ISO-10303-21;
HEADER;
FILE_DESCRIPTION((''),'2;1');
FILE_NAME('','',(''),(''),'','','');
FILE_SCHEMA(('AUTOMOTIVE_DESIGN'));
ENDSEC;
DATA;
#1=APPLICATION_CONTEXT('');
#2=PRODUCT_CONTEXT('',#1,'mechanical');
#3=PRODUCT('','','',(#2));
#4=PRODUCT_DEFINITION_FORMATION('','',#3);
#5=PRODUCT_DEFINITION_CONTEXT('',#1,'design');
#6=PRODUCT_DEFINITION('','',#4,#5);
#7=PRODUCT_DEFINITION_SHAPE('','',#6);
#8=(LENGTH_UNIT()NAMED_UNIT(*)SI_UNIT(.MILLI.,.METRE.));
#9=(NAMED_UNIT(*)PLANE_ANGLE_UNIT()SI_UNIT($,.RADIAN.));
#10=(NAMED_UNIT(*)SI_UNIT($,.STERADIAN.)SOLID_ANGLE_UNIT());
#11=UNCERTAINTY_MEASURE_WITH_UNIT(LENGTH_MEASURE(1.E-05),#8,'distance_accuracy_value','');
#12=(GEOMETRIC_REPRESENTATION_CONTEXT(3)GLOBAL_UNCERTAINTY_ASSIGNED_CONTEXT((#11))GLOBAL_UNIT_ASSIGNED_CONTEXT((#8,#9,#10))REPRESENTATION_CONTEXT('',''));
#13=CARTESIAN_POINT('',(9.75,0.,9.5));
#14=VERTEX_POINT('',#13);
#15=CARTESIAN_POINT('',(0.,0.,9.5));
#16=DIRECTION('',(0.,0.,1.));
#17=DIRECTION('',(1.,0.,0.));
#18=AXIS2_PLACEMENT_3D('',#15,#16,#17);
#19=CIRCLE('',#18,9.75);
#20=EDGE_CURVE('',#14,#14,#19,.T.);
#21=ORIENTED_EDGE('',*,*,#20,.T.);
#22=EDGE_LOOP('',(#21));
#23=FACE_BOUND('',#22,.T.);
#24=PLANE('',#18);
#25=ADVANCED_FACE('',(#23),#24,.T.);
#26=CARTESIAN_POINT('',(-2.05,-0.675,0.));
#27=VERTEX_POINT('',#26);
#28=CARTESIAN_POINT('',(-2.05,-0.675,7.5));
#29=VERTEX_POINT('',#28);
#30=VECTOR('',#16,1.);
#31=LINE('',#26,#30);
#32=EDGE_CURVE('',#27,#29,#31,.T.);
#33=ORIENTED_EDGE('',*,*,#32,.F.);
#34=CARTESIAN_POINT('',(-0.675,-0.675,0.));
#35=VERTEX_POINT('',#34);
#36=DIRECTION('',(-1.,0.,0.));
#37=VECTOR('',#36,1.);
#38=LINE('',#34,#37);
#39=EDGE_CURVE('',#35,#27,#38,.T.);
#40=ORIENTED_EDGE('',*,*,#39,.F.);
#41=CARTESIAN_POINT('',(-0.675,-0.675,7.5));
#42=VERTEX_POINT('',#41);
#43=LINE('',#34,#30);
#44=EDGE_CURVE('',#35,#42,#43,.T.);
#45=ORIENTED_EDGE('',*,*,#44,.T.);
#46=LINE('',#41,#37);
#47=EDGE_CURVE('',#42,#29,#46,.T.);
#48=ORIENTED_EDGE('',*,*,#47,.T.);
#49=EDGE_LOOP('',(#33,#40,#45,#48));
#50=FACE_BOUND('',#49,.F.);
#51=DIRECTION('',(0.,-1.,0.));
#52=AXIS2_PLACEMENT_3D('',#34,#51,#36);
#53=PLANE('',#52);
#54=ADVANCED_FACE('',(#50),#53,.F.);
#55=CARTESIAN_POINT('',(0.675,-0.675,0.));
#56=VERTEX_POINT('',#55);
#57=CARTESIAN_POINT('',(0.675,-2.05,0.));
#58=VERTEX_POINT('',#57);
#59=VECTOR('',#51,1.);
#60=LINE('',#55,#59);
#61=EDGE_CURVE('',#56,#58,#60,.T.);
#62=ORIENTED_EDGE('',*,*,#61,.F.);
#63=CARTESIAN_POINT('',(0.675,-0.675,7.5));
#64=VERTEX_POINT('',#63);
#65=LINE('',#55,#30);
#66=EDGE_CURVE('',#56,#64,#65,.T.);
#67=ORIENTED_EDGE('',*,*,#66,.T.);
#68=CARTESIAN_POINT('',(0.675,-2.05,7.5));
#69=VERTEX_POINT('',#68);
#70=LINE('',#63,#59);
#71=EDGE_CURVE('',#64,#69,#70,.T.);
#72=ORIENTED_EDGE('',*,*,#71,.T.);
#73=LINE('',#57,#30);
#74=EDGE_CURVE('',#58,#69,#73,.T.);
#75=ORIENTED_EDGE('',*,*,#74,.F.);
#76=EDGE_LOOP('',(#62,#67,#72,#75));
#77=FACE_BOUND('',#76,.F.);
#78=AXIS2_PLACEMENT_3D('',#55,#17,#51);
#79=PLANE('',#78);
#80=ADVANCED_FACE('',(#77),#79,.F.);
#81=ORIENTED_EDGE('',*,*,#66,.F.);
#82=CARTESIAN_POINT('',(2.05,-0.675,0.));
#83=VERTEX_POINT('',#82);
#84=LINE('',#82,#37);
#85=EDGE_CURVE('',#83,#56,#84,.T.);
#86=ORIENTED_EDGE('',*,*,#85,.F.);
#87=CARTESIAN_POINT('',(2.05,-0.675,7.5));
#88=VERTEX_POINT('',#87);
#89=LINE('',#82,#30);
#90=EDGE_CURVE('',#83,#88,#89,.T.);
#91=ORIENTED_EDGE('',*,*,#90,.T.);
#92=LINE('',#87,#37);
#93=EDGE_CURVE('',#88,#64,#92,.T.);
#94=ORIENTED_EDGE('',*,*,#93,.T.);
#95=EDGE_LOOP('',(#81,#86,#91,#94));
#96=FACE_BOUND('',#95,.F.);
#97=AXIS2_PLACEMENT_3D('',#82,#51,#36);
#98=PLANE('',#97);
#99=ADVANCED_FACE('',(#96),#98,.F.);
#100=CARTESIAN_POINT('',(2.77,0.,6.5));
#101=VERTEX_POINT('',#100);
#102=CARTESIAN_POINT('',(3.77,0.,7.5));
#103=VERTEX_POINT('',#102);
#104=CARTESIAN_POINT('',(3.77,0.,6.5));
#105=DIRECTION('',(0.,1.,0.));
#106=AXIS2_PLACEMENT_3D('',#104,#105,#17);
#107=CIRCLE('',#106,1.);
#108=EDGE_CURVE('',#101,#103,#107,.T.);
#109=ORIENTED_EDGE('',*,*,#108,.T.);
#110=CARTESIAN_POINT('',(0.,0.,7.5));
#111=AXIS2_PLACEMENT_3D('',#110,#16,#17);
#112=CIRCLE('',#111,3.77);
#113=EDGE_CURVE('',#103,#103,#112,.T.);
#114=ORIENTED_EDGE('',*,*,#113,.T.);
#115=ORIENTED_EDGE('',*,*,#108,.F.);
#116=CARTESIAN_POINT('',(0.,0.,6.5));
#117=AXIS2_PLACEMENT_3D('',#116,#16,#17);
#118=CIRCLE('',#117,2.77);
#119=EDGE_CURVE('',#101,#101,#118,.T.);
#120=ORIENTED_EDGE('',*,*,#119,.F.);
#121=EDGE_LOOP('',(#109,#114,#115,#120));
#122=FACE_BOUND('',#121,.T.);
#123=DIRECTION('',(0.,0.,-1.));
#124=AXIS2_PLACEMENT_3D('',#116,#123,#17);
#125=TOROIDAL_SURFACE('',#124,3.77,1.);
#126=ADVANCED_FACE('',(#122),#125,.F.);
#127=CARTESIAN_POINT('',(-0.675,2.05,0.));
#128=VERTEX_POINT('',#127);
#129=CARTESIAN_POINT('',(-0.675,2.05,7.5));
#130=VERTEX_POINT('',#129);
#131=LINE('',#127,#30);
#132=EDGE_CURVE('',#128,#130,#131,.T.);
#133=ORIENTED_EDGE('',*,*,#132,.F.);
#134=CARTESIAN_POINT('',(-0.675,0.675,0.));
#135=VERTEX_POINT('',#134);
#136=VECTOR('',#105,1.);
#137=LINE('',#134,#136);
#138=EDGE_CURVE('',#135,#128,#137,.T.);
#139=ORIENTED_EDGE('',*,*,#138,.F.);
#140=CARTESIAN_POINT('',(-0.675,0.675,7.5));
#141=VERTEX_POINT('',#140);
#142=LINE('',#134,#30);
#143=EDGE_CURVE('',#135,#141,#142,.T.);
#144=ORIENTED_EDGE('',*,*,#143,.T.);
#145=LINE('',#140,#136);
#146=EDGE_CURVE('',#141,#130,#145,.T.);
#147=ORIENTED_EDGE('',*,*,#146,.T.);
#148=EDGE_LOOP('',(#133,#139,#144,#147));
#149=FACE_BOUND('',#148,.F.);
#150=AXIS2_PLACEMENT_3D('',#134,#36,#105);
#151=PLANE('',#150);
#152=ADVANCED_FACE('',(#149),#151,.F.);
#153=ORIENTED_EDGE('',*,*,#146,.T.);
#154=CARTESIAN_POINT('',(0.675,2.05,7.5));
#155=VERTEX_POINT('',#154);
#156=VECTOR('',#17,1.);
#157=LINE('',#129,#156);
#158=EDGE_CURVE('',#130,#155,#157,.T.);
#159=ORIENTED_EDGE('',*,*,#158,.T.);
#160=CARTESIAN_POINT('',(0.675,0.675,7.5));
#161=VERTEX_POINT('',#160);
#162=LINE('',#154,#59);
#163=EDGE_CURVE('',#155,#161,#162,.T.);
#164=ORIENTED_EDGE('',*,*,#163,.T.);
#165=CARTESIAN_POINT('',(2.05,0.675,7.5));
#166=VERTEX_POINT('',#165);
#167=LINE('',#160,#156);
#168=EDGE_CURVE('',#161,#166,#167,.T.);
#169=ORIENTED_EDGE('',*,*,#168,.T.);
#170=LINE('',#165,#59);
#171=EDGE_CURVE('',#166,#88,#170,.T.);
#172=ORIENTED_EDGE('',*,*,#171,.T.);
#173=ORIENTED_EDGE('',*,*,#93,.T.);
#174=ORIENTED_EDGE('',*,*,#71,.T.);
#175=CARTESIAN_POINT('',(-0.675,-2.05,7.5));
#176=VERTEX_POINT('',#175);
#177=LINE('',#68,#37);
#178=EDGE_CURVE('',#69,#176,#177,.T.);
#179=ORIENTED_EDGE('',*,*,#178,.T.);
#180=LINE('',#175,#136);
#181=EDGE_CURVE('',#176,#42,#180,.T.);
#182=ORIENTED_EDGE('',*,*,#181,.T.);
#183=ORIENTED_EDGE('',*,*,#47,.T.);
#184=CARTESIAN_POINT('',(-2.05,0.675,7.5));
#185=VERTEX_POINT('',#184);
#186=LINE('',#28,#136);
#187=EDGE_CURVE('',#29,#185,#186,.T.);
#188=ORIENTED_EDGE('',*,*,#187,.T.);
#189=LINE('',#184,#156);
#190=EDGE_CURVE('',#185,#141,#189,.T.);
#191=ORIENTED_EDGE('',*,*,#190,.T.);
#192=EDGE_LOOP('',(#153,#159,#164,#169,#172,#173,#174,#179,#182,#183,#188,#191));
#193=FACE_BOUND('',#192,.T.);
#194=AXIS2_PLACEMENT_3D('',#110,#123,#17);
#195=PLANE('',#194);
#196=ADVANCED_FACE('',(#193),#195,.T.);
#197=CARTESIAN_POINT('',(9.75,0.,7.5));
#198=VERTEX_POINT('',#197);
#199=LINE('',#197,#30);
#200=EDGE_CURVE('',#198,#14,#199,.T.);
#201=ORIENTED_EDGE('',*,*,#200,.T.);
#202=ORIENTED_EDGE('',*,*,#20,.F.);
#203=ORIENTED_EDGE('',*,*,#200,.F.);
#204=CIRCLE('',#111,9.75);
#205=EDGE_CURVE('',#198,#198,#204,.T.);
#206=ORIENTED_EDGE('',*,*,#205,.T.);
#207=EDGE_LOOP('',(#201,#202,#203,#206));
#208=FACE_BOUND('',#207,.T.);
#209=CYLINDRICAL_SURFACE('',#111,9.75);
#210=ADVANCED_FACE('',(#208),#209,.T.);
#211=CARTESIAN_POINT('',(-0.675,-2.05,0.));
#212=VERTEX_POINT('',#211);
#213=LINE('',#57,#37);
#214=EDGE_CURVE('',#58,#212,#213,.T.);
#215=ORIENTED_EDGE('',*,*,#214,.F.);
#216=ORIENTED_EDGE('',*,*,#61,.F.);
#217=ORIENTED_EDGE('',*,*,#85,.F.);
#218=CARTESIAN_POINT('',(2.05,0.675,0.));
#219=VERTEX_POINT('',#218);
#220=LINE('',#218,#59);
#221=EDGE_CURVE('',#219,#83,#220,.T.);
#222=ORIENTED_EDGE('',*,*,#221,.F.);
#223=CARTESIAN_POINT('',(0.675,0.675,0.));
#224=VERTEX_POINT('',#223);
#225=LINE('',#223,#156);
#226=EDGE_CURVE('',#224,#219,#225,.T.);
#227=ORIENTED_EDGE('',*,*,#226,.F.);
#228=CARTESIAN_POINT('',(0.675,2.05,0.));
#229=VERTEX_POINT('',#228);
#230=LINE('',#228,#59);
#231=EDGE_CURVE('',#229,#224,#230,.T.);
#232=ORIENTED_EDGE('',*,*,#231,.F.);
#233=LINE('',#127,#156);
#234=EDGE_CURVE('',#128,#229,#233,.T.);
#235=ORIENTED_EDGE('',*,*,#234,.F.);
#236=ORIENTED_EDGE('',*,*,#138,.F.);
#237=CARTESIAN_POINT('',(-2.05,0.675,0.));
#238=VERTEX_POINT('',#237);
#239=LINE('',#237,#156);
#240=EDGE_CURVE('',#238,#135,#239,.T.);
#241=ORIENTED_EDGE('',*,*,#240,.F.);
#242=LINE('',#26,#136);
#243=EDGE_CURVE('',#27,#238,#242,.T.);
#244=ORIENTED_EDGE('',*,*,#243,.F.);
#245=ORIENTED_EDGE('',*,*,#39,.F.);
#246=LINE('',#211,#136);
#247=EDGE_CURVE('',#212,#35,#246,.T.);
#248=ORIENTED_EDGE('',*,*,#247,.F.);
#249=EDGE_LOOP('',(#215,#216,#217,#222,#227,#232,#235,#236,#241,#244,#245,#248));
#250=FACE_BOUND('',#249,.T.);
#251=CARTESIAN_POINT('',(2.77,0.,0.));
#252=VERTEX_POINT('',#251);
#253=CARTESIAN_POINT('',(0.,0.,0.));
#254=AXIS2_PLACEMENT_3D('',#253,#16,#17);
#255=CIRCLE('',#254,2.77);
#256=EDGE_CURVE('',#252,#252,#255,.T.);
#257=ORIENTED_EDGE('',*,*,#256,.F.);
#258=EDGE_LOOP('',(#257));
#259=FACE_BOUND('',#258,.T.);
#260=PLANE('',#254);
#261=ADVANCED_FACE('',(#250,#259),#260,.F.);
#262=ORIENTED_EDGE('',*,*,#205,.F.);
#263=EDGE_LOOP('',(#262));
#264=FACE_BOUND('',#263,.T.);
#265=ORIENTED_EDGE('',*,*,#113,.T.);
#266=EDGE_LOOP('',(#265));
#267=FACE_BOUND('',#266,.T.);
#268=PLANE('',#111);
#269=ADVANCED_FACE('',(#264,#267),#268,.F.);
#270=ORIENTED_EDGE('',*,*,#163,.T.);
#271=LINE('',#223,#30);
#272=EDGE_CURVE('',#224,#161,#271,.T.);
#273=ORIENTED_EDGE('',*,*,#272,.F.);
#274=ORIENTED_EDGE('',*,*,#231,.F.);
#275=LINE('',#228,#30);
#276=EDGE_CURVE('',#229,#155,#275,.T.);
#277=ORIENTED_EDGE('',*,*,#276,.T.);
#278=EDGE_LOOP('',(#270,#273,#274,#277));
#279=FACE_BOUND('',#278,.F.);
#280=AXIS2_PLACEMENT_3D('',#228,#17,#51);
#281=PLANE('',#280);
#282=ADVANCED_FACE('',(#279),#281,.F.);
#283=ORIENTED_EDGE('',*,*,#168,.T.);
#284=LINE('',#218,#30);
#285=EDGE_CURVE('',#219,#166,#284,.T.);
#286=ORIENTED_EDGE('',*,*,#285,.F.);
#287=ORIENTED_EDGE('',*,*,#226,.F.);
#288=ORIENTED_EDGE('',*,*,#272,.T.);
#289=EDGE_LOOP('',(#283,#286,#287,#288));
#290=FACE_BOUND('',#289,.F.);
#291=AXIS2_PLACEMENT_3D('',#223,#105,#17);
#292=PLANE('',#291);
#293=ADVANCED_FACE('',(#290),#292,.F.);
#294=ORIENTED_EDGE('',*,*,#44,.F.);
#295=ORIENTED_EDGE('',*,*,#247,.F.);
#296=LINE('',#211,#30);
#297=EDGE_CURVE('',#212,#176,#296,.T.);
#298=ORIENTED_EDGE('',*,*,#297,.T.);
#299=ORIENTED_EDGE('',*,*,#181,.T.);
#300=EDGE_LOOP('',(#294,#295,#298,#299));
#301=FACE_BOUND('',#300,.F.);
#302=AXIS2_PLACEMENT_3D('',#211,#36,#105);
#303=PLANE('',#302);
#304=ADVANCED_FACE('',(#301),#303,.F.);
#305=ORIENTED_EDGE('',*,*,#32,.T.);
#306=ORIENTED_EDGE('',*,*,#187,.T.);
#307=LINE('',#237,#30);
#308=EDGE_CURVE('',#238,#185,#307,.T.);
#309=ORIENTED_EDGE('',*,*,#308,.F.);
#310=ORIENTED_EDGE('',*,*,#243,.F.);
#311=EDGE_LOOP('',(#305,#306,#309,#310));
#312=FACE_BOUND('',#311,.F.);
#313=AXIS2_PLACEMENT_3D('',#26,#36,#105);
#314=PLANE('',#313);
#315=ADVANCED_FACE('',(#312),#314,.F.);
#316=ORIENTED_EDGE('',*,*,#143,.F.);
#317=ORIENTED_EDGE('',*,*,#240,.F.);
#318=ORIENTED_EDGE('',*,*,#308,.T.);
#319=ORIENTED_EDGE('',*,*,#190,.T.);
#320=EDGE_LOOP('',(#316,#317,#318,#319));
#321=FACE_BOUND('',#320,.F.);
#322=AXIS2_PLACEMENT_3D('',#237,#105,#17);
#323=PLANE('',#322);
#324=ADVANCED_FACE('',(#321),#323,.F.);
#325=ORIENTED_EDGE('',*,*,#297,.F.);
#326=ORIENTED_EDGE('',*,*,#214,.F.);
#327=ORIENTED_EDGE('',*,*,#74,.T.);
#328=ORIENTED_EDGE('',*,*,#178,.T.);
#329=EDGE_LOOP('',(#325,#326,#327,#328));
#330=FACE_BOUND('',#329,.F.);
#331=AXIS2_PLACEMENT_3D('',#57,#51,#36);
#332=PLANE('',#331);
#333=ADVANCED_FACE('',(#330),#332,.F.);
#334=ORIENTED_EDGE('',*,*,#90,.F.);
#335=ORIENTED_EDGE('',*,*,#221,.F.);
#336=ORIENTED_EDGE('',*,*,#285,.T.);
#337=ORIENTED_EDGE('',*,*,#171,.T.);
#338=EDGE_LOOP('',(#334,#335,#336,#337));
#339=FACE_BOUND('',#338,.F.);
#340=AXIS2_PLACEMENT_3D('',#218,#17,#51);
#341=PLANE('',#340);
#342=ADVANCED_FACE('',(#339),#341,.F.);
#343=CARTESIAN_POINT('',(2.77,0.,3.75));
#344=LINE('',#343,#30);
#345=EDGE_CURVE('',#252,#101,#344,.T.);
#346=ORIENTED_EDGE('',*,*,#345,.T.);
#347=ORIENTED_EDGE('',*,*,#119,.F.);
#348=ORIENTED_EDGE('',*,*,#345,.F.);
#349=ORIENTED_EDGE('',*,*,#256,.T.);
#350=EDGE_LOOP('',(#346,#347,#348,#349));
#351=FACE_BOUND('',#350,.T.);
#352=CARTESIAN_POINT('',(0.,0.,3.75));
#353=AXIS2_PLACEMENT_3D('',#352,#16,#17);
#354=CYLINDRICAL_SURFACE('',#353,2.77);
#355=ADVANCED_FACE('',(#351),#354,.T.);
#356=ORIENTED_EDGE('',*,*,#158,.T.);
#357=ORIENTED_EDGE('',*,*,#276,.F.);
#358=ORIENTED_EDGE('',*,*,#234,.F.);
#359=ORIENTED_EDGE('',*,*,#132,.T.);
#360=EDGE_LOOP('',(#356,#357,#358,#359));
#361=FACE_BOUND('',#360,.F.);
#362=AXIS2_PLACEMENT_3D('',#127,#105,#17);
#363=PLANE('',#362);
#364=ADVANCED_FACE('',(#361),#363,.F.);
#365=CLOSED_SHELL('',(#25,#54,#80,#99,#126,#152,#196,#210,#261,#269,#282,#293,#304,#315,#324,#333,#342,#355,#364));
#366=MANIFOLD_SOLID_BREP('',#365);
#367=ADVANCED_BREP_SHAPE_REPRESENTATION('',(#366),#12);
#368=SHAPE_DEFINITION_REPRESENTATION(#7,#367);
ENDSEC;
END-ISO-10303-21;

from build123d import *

# Parameters (mm, degrees)
F0_W     = 2.77
F0_H     = 7.5
F3_DEPTH = 7.5
F4_R     = 1


with BuildPart() as f1:
    # F0 (on Front) → F1 (revolve)
    with BuildSketch(Plane.XZ):
        Polygon((0, 9.5), (0, 7.5), (2.77, 7.5), (9.75, 7.5), (9.75, 9.5), align=None)
        with Locations((1.385, 3.75)):
            Rectangle(F0_W, F0_H)
    revolve(axis=Axis((0, 0, 3.75), (0, 0, 1)))

    # F2 (on face) → F3 (cut)
    with BuildSketch(Plane(origin=(0, 0, 0), x_dir=(1, 0, 0), z_dir=(0, 0, -1))):
        Polygon((0.675, 2.05), (-0.675, 2.05), (-0.675, 0.675), (-2.05, 0.675), (-2.05, -0.675), (-0.675, -0.675), (-0.675, -2.05), (0.675, -2.05), (0.675, -0.675), (2.05, -0.675), (2.05, 0.675), (0.675, 0.675), align=None)
    extrude(amount=-F3_DEPTH, mode=Mode.SUBTRACT)

    # F4
    f4_edges = [f1.edges().sort_by_distance(p)[0] for p in [
        (-2.77, 0, 7.5),
    ]]
    fillet(f4_edges, radius=F4_R)


solid = f1.part
